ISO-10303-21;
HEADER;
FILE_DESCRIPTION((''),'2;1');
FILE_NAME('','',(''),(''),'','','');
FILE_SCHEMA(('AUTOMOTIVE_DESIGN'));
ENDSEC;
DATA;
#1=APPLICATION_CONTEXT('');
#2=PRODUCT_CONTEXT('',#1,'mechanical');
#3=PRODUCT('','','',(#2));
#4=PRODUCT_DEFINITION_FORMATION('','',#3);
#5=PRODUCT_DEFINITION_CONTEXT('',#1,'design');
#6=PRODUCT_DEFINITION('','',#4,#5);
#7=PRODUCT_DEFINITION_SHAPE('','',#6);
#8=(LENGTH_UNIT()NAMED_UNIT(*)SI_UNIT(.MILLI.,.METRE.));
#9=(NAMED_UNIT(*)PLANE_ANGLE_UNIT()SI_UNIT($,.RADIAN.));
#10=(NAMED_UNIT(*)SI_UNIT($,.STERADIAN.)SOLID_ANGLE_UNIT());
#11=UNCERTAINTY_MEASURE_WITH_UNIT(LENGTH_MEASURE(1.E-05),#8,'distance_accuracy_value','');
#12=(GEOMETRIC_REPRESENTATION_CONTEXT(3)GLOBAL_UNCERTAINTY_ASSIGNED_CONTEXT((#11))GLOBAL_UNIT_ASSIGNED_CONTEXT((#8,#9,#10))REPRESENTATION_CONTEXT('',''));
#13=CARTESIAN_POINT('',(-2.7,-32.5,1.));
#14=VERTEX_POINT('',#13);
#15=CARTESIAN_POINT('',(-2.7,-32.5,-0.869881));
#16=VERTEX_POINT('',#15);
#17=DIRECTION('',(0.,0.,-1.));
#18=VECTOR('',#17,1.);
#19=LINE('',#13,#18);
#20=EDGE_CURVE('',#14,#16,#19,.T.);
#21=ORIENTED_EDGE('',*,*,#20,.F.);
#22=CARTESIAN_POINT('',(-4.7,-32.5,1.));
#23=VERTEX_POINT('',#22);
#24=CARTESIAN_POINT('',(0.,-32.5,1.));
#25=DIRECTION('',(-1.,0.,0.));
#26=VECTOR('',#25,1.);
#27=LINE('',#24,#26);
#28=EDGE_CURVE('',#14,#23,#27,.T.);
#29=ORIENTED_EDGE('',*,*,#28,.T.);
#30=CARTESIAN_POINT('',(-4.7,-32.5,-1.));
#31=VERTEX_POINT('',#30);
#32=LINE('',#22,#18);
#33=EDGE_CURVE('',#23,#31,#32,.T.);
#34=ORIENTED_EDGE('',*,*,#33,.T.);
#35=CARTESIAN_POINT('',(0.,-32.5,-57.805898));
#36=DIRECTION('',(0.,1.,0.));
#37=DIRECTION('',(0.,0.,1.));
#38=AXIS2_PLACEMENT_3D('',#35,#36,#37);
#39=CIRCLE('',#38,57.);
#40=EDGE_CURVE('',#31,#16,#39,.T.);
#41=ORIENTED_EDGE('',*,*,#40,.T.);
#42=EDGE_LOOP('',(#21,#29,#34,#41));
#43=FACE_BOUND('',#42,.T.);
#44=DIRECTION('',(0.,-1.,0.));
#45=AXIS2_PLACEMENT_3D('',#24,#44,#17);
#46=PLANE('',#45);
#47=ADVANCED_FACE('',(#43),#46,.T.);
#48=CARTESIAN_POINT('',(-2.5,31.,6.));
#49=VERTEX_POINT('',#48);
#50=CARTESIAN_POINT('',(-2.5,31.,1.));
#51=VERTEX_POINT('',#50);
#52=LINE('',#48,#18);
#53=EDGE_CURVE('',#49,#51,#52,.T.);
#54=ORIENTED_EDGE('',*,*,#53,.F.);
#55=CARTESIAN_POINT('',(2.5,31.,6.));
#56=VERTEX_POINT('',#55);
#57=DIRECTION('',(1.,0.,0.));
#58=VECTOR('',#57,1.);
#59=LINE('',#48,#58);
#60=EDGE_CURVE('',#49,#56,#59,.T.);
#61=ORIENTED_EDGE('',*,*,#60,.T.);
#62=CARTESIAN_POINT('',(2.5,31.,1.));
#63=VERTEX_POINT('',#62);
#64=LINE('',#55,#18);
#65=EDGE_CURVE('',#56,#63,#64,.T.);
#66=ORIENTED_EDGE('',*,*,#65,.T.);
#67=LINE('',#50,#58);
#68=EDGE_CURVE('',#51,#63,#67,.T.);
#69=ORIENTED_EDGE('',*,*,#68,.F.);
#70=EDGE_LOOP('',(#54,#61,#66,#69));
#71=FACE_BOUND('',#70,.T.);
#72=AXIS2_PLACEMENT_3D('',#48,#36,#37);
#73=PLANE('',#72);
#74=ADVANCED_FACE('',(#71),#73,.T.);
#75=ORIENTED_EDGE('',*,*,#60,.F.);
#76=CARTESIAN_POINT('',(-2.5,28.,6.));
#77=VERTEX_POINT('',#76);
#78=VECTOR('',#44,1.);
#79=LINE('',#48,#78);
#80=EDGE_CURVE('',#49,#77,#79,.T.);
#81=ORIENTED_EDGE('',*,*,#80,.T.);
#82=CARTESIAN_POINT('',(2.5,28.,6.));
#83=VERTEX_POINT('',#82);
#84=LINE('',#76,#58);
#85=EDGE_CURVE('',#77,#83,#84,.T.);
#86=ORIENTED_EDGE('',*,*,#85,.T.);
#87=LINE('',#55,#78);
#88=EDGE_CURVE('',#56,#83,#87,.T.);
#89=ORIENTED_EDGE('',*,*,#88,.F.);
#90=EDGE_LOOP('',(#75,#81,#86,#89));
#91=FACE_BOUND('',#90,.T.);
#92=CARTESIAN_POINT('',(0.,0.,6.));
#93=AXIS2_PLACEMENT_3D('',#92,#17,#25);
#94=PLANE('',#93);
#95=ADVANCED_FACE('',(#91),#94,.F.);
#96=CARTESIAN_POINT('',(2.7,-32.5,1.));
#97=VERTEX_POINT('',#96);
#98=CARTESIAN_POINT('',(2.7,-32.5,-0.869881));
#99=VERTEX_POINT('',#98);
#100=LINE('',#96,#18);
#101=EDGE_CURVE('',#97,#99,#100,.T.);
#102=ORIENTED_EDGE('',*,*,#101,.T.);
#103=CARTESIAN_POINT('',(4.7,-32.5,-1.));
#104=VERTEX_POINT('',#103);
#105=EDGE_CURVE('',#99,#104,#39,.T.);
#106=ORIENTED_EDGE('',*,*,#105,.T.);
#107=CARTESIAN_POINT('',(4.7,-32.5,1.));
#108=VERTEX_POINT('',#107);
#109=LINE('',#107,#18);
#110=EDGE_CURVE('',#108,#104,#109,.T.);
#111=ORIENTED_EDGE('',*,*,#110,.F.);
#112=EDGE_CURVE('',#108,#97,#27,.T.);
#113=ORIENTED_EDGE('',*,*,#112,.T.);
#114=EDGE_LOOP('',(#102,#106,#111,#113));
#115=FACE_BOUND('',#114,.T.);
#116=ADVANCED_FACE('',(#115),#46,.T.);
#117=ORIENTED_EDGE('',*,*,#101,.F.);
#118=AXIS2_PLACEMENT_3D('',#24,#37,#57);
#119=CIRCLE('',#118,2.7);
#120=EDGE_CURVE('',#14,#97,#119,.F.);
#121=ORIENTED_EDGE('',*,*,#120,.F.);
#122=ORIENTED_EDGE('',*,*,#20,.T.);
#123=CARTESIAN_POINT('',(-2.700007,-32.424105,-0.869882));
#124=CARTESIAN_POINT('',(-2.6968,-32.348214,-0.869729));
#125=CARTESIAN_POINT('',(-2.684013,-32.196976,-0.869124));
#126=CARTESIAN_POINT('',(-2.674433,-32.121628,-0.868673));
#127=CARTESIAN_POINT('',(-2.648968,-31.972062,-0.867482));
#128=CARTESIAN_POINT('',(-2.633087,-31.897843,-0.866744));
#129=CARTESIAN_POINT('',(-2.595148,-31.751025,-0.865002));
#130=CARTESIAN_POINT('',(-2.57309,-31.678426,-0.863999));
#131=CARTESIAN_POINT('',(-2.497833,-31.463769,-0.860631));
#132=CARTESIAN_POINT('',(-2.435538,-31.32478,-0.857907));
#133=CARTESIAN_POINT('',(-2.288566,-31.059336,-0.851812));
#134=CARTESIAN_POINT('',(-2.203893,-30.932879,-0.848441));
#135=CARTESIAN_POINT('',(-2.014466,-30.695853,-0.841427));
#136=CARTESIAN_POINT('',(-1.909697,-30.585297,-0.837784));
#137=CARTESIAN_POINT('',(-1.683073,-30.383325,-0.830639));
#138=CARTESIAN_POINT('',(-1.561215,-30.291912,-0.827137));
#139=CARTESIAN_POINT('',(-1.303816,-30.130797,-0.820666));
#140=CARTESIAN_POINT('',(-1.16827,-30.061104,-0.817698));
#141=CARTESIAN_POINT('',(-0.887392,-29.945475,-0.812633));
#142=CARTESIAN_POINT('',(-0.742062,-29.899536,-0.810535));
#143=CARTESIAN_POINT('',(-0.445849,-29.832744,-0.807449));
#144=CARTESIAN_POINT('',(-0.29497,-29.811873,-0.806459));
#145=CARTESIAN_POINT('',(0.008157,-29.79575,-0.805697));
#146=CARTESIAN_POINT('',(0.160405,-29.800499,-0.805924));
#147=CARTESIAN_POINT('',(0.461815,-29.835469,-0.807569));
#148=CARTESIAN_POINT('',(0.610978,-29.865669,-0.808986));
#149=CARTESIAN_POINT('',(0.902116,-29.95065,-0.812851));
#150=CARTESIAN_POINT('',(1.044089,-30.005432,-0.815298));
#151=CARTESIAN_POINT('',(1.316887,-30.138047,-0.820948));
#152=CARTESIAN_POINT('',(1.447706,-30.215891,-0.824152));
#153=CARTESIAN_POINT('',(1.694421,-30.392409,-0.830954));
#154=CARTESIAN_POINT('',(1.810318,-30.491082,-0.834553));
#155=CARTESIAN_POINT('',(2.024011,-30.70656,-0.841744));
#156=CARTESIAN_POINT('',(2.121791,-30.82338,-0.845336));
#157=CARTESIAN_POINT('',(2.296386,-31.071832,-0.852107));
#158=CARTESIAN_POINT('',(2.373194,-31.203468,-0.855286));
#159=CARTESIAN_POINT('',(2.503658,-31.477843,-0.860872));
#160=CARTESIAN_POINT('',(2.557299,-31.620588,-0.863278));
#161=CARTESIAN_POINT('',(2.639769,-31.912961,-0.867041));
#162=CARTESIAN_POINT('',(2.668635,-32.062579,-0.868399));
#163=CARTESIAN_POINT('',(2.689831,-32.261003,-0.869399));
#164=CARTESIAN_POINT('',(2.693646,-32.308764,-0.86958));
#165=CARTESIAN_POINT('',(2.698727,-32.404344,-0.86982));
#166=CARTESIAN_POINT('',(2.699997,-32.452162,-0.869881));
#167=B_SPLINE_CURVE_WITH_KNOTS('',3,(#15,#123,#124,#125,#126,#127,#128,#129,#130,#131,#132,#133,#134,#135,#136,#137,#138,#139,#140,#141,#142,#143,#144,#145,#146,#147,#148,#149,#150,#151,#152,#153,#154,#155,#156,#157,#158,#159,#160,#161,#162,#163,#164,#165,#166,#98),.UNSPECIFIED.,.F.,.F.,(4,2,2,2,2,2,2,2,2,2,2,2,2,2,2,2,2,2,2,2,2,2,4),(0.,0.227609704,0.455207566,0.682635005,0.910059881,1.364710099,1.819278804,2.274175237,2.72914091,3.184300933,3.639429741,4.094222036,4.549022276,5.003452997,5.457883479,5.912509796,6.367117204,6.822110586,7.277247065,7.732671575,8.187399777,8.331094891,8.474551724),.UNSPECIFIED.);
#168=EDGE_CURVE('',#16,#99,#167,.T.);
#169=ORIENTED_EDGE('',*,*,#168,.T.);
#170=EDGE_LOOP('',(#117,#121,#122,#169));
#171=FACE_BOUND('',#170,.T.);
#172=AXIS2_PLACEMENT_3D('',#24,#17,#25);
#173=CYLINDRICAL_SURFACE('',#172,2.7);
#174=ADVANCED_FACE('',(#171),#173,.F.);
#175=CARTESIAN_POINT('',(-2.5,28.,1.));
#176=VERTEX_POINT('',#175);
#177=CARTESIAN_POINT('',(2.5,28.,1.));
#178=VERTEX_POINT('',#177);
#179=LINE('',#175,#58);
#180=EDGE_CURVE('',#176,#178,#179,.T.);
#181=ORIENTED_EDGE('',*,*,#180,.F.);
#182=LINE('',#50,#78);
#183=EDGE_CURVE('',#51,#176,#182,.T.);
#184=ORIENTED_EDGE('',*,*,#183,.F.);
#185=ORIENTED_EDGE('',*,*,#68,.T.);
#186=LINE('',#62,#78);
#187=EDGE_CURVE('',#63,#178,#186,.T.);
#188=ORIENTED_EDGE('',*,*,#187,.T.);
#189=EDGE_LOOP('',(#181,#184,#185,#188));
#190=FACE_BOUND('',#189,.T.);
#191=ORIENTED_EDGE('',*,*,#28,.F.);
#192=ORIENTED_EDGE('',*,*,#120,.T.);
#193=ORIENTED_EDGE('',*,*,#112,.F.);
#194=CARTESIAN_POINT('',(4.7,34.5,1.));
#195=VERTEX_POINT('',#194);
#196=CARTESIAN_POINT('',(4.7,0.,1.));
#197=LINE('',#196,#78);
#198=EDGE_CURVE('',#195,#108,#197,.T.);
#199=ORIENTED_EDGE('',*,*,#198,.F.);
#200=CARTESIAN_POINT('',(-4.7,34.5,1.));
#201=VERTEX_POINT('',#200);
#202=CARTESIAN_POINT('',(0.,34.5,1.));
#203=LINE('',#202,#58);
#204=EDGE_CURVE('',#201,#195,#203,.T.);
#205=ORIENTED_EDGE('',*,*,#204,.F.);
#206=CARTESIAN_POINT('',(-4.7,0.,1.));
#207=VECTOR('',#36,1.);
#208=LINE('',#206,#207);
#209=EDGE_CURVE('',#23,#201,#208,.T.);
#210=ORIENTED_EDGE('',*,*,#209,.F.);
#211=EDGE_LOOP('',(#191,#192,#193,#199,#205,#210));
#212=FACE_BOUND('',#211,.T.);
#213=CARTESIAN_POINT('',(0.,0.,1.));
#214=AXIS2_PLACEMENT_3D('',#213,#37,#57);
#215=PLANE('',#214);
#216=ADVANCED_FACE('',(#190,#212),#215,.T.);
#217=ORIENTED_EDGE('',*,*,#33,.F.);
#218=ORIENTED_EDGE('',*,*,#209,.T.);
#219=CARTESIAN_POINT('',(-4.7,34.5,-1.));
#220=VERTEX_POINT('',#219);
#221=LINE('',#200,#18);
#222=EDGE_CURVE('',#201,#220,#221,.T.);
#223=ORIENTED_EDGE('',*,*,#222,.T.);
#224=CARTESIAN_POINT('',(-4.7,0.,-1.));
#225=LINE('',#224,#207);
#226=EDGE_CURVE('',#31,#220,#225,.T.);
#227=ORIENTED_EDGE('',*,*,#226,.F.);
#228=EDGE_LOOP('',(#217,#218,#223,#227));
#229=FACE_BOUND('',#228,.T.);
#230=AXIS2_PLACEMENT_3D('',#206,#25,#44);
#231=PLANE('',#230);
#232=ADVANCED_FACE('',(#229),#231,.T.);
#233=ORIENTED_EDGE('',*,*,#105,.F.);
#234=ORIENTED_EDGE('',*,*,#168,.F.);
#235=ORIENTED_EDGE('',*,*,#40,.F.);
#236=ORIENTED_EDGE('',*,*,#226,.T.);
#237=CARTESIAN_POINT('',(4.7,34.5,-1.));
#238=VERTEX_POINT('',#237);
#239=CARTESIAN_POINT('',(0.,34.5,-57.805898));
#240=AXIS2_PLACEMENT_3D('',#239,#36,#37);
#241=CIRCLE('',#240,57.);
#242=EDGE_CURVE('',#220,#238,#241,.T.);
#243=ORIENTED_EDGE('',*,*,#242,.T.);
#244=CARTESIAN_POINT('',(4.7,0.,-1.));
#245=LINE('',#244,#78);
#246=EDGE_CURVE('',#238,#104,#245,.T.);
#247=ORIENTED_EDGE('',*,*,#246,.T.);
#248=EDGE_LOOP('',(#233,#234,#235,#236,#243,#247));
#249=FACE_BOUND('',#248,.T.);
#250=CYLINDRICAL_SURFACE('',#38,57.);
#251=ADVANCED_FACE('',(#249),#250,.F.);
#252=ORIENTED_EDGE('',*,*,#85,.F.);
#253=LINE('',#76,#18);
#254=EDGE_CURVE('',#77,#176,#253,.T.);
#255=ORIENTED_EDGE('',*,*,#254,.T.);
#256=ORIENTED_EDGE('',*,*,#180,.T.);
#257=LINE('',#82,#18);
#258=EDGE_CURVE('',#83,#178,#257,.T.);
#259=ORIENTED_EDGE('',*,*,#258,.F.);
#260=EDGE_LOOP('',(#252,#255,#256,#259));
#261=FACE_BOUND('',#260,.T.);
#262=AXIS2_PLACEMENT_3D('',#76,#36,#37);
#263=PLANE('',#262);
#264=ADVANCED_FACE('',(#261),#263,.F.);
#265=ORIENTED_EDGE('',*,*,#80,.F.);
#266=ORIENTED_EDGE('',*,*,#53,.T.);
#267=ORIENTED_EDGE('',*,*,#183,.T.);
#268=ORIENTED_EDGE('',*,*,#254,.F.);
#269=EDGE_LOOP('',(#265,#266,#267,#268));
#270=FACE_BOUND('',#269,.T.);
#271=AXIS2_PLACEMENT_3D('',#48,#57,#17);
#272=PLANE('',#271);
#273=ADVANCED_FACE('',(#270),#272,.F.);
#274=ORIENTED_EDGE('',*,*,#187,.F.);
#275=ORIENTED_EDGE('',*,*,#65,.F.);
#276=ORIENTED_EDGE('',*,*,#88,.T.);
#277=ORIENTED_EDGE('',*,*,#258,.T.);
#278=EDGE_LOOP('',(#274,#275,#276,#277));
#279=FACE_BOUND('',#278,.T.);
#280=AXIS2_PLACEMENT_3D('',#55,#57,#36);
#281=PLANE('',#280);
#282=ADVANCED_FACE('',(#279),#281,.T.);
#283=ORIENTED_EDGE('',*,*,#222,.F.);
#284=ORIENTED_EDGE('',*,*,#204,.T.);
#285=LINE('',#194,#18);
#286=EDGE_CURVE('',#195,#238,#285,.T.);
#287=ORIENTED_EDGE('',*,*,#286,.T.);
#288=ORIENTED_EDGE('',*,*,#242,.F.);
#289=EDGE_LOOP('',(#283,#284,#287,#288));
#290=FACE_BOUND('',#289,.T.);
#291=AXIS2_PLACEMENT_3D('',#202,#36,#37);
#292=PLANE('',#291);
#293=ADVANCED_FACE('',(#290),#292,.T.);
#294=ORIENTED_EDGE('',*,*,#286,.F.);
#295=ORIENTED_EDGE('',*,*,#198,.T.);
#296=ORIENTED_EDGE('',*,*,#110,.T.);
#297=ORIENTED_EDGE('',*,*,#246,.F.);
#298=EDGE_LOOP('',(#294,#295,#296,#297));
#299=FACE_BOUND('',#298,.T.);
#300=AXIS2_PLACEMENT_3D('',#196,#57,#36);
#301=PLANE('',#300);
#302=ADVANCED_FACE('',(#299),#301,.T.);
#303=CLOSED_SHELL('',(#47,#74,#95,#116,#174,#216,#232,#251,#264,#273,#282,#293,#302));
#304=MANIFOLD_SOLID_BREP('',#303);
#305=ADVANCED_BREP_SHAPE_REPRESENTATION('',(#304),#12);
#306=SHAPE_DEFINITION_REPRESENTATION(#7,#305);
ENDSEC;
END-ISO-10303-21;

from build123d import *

# Parameters (mm, degrees)
BOSS_EXTRUDE1_DEPTH     = 1
CUT_EXTRUDE2_DEPTH      = 35.5
CUT_EXTRUDE2_DEPTH_BACK = 33.5
SKETCH3_W               = 5
SKETCH3_H               = 3
BOSS_EXTRUDE2_DEPTH     = 5


with BuildPart() as part:
    # Sketch1 → Boss-Extrude1 (new body, symmetric)
    with BuildSketch(Plane.XY):
        with BuildLine():
            Line((-2.7, 32.5), (-2.7, -32.5))
            ThreePointArc((-2.7, -32.5), (0, -29.8), (2.7, -32.5))
            Line((2.7, -32.5), (2.7, 32.5))
            Line((2.7, 32.5), (-2.7, 32.5))
        make_face()
        Polygon((4.7, -32.5), (2.7, -32.5), (2.7, 32.5), (-2.7, 32.5), (-2.7, -32.5), (-4.7, -32.5), (-4.7, 34.5), (4.7, 34.5), align=None)
    extrude(amount=BOSS_EXTRUDE1_DEPTH, both=True)

    # Sketch2 → Cut-Extrude2 (cut, two sides)
    with BuildSketch(Plane(origin=(0, 0, 0), x_dir=(1, 0, 0), z_dir=(0, 1, 0))) as cut_extrude2_sk:
        with BuildLine():
            ThreePointArc((-4.7, 1), (0, 0.805897581), (4.7, 1))
            Line((4.7, 1), (-4.7, 1))
        make_face()
        with BuildLine():
            Line((-4.7, 1), (4.7, 1))
            ThreePointArc((4.7, 1), (41.93387652, 19.198255851), (57, 57.805897581))
            ThreePointArc((57, 57.805897581), (-38.607641731, 99.739774101), (-4.7, 1))
        make_face()
    extrude(amount=CUT_EXTRUDE2_DEPTH, mode=Mode.SUBTRACT)
    extrude(cut_extrude2_sk.sketch, amount=-CUT_EXTRUDE2_DEPTH_BACK, mode=Mode.SUBTRACT)

    # Sketch3 → Boss-Extrude2 (add)
    with BuildSketch(Plane.XY.offset(1)):
        with Locations((0, 29.5)):
            Rectangle(SKETCH3_W, SKETCH3_H)
    extrude(amount=BOSS_EXTRUDE2_DEPTH)


solid = part.part
